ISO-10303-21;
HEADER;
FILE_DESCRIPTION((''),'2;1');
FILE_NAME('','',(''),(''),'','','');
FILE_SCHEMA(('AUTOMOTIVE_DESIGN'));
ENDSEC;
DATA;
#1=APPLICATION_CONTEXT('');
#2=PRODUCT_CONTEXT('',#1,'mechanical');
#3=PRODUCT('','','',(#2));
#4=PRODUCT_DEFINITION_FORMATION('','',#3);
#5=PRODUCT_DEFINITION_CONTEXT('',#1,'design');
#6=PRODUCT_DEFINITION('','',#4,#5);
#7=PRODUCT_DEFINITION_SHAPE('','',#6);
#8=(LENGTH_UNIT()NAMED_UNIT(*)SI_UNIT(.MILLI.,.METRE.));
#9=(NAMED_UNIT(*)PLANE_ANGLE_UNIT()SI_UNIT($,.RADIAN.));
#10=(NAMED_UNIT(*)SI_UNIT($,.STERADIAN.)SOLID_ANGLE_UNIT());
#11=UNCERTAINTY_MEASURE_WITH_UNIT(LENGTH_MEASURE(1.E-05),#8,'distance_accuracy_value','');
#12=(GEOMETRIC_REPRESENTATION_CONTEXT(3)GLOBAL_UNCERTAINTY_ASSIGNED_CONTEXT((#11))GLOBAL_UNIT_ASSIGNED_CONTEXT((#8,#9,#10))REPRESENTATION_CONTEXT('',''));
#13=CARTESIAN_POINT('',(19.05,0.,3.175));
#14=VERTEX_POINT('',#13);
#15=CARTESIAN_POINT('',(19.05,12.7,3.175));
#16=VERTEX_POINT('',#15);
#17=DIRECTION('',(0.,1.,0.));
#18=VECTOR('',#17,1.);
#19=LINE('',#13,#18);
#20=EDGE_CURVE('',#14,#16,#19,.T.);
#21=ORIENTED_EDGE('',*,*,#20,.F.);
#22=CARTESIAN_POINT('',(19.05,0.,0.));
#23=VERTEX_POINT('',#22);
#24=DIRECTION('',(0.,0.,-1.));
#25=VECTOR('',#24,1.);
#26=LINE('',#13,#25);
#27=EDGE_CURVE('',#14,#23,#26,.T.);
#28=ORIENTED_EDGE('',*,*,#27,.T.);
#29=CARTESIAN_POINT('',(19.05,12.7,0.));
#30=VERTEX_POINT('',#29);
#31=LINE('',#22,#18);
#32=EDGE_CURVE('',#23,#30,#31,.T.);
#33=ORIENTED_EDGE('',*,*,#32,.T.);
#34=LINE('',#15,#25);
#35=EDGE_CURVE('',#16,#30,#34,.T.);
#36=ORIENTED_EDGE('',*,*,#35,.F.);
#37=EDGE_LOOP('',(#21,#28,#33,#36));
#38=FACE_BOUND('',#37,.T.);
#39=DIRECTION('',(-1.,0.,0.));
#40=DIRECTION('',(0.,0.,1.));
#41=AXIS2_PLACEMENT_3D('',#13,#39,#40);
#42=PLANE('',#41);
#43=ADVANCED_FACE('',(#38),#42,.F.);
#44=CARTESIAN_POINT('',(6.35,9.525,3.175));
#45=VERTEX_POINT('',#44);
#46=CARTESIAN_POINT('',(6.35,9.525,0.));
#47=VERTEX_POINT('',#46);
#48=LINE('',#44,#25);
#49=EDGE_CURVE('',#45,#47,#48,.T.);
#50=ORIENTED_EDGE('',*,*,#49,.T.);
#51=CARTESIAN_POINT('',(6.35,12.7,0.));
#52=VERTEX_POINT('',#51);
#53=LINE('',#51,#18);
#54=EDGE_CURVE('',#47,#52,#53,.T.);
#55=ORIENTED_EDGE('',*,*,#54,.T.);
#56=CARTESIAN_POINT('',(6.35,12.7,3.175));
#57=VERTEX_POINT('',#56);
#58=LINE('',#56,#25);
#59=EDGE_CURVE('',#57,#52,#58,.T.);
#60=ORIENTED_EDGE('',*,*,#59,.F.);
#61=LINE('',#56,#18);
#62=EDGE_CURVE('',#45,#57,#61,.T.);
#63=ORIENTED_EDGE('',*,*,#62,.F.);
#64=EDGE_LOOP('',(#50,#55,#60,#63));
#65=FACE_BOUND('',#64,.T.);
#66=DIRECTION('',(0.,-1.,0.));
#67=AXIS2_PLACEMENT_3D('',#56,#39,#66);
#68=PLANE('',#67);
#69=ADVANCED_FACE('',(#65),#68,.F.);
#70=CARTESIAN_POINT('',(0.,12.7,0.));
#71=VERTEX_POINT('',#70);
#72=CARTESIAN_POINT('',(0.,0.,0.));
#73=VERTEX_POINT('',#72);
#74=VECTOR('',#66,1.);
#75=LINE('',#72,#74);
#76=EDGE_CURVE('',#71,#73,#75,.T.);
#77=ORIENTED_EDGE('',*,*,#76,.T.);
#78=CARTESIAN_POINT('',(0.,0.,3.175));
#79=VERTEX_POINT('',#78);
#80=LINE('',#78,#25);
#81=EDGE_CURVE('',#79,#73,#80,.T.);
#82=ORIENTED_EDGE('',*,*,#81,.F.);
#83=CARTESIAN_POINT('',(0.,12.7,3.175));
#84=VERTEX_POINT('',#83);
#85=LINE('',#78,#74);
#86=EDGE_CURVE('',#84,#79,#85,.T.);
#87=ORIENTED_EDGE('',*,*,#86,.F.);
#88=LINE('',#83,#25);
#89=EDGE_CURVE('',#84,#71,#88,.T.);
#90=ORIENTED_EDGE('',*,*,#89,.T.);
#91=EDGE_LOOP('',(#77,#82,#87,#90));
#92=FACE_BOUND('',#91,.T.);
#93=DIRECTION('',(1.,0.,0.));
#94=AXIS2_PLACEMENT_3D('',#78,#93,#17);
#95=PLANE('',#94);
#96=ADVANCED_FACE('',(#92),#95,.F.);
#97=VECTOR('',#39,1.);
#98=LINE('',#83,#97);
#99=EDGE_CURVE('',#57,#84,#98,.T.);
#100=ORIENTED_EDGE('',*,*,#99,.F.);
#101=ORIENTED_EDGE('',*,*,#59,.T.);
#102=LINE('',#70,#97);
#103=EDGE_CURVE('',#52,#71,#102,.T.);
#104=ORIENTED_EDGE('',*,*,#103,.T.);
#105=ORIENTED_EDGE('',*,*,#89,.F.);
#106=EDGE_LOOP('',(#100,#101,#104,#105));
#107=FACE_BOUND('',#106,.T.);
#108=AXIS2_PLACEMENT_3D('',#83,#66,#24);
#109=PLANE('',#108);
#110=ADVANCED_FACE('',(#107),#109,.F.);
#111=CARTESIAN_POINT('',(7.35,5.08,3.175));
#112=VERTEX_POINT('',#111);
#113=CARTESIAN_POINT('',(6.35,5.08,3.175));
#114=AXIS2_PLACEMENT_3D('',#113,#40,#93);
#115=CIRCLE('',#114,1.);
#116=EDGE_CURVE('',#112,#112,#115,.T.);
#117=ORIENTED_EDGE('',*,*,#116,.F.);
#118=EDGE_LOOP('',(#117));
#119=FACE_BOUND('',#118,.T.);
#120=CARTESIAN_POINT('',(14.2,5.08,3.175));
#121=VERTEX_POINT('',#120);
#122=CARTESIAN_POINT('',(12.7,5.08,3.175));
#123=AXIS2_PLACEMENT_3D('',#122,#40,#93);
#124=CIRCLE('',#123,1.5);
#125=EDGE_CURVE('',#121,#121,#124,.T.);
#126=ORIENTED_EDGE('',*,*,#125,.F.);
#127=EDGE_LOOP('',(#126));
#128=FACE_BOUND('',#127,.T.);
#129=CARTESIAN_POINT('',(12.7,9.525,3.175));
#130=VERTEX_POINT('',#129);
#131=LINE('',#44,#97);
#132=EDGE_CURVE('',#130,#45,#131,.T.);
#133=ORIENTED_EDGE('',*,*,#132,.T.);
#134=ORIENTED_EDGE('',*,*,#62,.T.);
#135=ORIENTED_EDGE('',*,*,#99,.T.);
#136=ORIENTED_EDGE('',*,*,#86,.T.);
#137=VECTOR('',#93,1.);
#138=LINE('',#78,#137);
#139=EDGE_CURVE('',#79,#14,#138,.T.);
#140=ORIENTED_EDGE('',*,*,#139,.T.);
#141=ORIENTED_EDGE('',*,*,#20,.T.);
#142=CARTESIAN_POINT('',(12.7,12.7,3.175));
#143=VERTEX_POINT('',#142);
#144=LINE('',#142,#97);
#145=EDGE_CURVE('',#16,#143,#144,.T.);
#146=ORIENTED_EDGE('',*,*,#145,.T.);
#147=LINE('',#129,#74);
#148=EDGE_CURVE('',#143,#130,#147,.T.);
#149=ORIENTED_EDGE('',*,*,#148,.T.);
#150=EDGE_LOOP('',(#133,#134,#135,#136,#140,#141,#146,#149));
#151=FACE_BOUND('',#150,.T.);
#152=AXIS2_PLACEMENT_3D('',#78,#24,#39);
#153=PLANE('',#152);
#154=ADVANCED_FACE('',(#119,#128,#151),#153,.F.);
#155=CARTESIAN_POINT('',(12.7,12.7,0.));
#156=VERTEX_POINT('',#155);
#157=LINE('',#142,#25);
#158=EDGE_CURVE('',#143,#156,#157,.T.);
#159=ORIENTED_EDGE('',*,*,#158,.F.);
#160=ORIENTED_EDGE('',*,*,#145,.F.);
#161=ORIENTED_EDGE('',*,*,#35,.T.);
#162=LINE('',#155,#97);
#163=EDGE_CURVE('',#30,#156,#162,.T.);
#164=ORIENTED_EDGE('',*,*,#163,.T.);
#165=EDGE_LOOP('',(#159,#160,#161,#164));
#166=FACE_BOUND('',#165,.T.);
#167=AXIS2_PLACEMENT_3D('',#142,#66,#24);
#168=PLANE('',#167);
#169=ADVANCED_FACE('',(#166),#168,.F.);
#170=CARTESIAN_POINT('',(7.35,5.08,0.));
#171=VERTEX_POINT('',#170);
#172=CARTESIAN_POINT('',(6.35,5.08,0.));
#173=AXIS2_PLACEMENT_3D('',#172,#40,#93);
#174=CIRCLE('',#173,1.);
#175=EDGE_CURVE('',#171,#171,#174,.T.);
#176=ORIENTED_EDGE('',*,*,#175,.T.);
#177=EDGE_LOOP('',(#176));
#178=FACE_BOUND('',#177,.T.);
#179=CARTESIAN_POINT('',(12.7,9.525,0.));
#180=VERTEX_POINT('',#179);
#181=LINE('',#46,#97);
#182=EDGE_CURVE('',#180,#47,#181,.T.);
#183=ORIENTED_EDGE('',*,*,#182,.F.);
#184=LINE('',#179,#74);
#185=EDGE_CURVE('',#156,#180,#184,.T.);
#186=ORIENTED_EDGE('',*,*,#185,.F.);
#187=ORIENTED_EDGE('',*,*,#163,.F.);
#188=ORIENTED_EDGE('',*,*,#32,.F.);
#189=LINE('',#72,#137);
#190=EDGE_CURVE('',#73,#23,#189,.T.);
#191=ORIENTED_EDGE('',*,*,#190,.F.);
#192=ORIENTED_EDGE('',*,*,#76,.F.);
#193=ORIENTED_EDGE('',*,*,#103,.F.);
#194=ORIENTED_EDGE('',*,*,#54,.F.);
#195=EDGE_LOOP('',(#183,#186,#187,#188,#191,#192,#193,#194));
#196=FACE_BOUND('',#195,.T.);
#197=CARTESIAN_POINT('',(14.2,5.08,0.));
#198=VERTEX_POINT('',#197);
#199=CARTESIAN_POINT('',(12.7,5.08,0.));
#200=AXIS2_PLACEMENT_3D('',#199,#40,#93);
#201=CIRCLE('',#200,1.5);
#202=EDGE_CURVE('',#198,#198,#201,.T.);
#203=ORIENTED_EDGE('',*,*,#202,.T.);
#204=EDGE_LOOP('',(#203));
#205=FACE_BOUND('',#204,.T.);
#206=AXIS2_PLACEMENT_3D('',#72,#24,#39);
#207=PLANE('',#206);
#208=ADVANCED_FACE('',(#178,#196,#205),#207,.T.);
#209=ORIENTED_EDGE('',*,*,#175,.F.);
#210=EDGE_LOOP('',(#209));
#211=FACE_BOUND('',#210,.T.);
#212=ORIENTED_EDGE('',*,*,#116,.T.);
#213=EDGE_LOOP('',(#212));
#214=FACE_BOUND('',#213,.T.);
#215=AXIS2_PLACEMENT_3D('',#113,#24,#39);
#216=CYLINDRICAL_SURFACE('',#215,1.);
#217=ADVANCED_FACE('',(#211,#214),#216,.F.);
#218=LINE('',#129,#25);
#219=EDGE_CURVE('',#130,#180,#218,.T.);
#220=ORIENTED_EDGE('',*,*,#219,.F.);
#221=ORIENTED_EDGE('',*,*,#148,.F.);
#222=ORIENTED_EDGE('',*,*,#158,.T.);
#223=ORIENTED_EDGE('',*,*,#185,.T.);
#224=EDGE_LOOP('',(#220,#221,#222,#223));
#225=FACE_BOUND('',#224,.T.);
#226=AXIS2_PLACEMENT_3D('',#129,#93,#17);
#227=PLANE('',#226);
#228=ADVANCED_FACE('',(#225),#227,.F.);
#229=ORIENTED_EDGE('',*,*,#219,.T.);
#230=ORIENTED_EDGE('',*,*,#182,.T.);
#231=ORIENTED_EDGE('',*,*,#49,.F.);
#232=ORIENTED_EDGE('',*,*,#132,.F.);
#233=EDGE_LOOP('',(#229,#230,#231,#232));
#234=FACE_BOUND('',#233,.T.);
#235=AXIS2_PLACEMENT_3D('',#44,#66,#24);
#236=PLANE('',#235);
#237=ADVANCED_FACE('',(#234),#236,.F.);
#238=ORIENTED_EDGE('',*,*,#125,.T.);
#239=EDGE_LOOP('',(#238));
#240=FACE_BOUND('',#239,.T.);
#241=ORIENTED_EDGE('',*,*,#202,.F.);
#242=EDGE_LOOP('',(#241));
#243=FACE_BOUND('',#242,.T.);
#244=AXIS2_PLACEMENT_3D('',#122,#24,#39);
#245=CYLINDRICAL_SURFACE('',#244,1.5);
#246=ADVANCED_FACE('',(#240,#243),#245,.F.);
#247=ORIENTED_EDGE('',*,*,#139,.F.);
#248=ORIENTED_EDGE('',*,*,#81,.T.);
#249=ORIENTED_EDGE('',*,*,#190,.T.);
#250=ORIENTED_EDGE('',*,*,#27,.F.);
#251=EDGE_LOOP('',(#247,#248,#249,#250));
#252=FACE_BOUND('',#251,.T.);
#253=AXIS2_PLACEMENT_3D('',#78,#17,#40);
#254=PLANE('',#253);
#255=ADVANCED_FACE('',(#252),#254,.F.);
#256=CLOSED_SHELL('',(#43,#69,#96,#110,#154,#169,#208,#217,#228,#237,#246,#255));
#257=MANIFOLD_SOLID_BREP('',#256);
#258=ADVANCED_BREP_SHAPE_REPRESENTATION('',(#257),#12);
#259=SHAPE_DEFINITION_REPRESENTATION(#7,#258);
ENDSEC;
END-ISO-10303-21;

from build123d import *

# Parameters (mm, degrees)
SKETCH1_R           = 1.5
SKETCH1_R_2         = 1
BOSS_EXTRUDE1_DEPTH = 3.175


with BuildPart() as part:
    # Sketch1 → Boss-Extrude1 (new body)
    with BuildSketch(Plane.XY):
        Polygon((6.35, 12.7), (6.35, 9.525), (12.7, 9.525), (12.7, 12.7), (19.05, 12.7), (19.05, 0), (0, 0), (0, 12.7), align=None)
        with Locations((12.7, 5.08)):
            Circle(SKETCH1_R, mode=Mode.SUBTRACT)
        with Locations((6.35, 5.08)):
            Circle(SKETCH1_R_2, mode=Mode.SUBTRACT)
    extrude(amount=BOSS_EXTRUDE1_DEPTH)


solid = part.part
